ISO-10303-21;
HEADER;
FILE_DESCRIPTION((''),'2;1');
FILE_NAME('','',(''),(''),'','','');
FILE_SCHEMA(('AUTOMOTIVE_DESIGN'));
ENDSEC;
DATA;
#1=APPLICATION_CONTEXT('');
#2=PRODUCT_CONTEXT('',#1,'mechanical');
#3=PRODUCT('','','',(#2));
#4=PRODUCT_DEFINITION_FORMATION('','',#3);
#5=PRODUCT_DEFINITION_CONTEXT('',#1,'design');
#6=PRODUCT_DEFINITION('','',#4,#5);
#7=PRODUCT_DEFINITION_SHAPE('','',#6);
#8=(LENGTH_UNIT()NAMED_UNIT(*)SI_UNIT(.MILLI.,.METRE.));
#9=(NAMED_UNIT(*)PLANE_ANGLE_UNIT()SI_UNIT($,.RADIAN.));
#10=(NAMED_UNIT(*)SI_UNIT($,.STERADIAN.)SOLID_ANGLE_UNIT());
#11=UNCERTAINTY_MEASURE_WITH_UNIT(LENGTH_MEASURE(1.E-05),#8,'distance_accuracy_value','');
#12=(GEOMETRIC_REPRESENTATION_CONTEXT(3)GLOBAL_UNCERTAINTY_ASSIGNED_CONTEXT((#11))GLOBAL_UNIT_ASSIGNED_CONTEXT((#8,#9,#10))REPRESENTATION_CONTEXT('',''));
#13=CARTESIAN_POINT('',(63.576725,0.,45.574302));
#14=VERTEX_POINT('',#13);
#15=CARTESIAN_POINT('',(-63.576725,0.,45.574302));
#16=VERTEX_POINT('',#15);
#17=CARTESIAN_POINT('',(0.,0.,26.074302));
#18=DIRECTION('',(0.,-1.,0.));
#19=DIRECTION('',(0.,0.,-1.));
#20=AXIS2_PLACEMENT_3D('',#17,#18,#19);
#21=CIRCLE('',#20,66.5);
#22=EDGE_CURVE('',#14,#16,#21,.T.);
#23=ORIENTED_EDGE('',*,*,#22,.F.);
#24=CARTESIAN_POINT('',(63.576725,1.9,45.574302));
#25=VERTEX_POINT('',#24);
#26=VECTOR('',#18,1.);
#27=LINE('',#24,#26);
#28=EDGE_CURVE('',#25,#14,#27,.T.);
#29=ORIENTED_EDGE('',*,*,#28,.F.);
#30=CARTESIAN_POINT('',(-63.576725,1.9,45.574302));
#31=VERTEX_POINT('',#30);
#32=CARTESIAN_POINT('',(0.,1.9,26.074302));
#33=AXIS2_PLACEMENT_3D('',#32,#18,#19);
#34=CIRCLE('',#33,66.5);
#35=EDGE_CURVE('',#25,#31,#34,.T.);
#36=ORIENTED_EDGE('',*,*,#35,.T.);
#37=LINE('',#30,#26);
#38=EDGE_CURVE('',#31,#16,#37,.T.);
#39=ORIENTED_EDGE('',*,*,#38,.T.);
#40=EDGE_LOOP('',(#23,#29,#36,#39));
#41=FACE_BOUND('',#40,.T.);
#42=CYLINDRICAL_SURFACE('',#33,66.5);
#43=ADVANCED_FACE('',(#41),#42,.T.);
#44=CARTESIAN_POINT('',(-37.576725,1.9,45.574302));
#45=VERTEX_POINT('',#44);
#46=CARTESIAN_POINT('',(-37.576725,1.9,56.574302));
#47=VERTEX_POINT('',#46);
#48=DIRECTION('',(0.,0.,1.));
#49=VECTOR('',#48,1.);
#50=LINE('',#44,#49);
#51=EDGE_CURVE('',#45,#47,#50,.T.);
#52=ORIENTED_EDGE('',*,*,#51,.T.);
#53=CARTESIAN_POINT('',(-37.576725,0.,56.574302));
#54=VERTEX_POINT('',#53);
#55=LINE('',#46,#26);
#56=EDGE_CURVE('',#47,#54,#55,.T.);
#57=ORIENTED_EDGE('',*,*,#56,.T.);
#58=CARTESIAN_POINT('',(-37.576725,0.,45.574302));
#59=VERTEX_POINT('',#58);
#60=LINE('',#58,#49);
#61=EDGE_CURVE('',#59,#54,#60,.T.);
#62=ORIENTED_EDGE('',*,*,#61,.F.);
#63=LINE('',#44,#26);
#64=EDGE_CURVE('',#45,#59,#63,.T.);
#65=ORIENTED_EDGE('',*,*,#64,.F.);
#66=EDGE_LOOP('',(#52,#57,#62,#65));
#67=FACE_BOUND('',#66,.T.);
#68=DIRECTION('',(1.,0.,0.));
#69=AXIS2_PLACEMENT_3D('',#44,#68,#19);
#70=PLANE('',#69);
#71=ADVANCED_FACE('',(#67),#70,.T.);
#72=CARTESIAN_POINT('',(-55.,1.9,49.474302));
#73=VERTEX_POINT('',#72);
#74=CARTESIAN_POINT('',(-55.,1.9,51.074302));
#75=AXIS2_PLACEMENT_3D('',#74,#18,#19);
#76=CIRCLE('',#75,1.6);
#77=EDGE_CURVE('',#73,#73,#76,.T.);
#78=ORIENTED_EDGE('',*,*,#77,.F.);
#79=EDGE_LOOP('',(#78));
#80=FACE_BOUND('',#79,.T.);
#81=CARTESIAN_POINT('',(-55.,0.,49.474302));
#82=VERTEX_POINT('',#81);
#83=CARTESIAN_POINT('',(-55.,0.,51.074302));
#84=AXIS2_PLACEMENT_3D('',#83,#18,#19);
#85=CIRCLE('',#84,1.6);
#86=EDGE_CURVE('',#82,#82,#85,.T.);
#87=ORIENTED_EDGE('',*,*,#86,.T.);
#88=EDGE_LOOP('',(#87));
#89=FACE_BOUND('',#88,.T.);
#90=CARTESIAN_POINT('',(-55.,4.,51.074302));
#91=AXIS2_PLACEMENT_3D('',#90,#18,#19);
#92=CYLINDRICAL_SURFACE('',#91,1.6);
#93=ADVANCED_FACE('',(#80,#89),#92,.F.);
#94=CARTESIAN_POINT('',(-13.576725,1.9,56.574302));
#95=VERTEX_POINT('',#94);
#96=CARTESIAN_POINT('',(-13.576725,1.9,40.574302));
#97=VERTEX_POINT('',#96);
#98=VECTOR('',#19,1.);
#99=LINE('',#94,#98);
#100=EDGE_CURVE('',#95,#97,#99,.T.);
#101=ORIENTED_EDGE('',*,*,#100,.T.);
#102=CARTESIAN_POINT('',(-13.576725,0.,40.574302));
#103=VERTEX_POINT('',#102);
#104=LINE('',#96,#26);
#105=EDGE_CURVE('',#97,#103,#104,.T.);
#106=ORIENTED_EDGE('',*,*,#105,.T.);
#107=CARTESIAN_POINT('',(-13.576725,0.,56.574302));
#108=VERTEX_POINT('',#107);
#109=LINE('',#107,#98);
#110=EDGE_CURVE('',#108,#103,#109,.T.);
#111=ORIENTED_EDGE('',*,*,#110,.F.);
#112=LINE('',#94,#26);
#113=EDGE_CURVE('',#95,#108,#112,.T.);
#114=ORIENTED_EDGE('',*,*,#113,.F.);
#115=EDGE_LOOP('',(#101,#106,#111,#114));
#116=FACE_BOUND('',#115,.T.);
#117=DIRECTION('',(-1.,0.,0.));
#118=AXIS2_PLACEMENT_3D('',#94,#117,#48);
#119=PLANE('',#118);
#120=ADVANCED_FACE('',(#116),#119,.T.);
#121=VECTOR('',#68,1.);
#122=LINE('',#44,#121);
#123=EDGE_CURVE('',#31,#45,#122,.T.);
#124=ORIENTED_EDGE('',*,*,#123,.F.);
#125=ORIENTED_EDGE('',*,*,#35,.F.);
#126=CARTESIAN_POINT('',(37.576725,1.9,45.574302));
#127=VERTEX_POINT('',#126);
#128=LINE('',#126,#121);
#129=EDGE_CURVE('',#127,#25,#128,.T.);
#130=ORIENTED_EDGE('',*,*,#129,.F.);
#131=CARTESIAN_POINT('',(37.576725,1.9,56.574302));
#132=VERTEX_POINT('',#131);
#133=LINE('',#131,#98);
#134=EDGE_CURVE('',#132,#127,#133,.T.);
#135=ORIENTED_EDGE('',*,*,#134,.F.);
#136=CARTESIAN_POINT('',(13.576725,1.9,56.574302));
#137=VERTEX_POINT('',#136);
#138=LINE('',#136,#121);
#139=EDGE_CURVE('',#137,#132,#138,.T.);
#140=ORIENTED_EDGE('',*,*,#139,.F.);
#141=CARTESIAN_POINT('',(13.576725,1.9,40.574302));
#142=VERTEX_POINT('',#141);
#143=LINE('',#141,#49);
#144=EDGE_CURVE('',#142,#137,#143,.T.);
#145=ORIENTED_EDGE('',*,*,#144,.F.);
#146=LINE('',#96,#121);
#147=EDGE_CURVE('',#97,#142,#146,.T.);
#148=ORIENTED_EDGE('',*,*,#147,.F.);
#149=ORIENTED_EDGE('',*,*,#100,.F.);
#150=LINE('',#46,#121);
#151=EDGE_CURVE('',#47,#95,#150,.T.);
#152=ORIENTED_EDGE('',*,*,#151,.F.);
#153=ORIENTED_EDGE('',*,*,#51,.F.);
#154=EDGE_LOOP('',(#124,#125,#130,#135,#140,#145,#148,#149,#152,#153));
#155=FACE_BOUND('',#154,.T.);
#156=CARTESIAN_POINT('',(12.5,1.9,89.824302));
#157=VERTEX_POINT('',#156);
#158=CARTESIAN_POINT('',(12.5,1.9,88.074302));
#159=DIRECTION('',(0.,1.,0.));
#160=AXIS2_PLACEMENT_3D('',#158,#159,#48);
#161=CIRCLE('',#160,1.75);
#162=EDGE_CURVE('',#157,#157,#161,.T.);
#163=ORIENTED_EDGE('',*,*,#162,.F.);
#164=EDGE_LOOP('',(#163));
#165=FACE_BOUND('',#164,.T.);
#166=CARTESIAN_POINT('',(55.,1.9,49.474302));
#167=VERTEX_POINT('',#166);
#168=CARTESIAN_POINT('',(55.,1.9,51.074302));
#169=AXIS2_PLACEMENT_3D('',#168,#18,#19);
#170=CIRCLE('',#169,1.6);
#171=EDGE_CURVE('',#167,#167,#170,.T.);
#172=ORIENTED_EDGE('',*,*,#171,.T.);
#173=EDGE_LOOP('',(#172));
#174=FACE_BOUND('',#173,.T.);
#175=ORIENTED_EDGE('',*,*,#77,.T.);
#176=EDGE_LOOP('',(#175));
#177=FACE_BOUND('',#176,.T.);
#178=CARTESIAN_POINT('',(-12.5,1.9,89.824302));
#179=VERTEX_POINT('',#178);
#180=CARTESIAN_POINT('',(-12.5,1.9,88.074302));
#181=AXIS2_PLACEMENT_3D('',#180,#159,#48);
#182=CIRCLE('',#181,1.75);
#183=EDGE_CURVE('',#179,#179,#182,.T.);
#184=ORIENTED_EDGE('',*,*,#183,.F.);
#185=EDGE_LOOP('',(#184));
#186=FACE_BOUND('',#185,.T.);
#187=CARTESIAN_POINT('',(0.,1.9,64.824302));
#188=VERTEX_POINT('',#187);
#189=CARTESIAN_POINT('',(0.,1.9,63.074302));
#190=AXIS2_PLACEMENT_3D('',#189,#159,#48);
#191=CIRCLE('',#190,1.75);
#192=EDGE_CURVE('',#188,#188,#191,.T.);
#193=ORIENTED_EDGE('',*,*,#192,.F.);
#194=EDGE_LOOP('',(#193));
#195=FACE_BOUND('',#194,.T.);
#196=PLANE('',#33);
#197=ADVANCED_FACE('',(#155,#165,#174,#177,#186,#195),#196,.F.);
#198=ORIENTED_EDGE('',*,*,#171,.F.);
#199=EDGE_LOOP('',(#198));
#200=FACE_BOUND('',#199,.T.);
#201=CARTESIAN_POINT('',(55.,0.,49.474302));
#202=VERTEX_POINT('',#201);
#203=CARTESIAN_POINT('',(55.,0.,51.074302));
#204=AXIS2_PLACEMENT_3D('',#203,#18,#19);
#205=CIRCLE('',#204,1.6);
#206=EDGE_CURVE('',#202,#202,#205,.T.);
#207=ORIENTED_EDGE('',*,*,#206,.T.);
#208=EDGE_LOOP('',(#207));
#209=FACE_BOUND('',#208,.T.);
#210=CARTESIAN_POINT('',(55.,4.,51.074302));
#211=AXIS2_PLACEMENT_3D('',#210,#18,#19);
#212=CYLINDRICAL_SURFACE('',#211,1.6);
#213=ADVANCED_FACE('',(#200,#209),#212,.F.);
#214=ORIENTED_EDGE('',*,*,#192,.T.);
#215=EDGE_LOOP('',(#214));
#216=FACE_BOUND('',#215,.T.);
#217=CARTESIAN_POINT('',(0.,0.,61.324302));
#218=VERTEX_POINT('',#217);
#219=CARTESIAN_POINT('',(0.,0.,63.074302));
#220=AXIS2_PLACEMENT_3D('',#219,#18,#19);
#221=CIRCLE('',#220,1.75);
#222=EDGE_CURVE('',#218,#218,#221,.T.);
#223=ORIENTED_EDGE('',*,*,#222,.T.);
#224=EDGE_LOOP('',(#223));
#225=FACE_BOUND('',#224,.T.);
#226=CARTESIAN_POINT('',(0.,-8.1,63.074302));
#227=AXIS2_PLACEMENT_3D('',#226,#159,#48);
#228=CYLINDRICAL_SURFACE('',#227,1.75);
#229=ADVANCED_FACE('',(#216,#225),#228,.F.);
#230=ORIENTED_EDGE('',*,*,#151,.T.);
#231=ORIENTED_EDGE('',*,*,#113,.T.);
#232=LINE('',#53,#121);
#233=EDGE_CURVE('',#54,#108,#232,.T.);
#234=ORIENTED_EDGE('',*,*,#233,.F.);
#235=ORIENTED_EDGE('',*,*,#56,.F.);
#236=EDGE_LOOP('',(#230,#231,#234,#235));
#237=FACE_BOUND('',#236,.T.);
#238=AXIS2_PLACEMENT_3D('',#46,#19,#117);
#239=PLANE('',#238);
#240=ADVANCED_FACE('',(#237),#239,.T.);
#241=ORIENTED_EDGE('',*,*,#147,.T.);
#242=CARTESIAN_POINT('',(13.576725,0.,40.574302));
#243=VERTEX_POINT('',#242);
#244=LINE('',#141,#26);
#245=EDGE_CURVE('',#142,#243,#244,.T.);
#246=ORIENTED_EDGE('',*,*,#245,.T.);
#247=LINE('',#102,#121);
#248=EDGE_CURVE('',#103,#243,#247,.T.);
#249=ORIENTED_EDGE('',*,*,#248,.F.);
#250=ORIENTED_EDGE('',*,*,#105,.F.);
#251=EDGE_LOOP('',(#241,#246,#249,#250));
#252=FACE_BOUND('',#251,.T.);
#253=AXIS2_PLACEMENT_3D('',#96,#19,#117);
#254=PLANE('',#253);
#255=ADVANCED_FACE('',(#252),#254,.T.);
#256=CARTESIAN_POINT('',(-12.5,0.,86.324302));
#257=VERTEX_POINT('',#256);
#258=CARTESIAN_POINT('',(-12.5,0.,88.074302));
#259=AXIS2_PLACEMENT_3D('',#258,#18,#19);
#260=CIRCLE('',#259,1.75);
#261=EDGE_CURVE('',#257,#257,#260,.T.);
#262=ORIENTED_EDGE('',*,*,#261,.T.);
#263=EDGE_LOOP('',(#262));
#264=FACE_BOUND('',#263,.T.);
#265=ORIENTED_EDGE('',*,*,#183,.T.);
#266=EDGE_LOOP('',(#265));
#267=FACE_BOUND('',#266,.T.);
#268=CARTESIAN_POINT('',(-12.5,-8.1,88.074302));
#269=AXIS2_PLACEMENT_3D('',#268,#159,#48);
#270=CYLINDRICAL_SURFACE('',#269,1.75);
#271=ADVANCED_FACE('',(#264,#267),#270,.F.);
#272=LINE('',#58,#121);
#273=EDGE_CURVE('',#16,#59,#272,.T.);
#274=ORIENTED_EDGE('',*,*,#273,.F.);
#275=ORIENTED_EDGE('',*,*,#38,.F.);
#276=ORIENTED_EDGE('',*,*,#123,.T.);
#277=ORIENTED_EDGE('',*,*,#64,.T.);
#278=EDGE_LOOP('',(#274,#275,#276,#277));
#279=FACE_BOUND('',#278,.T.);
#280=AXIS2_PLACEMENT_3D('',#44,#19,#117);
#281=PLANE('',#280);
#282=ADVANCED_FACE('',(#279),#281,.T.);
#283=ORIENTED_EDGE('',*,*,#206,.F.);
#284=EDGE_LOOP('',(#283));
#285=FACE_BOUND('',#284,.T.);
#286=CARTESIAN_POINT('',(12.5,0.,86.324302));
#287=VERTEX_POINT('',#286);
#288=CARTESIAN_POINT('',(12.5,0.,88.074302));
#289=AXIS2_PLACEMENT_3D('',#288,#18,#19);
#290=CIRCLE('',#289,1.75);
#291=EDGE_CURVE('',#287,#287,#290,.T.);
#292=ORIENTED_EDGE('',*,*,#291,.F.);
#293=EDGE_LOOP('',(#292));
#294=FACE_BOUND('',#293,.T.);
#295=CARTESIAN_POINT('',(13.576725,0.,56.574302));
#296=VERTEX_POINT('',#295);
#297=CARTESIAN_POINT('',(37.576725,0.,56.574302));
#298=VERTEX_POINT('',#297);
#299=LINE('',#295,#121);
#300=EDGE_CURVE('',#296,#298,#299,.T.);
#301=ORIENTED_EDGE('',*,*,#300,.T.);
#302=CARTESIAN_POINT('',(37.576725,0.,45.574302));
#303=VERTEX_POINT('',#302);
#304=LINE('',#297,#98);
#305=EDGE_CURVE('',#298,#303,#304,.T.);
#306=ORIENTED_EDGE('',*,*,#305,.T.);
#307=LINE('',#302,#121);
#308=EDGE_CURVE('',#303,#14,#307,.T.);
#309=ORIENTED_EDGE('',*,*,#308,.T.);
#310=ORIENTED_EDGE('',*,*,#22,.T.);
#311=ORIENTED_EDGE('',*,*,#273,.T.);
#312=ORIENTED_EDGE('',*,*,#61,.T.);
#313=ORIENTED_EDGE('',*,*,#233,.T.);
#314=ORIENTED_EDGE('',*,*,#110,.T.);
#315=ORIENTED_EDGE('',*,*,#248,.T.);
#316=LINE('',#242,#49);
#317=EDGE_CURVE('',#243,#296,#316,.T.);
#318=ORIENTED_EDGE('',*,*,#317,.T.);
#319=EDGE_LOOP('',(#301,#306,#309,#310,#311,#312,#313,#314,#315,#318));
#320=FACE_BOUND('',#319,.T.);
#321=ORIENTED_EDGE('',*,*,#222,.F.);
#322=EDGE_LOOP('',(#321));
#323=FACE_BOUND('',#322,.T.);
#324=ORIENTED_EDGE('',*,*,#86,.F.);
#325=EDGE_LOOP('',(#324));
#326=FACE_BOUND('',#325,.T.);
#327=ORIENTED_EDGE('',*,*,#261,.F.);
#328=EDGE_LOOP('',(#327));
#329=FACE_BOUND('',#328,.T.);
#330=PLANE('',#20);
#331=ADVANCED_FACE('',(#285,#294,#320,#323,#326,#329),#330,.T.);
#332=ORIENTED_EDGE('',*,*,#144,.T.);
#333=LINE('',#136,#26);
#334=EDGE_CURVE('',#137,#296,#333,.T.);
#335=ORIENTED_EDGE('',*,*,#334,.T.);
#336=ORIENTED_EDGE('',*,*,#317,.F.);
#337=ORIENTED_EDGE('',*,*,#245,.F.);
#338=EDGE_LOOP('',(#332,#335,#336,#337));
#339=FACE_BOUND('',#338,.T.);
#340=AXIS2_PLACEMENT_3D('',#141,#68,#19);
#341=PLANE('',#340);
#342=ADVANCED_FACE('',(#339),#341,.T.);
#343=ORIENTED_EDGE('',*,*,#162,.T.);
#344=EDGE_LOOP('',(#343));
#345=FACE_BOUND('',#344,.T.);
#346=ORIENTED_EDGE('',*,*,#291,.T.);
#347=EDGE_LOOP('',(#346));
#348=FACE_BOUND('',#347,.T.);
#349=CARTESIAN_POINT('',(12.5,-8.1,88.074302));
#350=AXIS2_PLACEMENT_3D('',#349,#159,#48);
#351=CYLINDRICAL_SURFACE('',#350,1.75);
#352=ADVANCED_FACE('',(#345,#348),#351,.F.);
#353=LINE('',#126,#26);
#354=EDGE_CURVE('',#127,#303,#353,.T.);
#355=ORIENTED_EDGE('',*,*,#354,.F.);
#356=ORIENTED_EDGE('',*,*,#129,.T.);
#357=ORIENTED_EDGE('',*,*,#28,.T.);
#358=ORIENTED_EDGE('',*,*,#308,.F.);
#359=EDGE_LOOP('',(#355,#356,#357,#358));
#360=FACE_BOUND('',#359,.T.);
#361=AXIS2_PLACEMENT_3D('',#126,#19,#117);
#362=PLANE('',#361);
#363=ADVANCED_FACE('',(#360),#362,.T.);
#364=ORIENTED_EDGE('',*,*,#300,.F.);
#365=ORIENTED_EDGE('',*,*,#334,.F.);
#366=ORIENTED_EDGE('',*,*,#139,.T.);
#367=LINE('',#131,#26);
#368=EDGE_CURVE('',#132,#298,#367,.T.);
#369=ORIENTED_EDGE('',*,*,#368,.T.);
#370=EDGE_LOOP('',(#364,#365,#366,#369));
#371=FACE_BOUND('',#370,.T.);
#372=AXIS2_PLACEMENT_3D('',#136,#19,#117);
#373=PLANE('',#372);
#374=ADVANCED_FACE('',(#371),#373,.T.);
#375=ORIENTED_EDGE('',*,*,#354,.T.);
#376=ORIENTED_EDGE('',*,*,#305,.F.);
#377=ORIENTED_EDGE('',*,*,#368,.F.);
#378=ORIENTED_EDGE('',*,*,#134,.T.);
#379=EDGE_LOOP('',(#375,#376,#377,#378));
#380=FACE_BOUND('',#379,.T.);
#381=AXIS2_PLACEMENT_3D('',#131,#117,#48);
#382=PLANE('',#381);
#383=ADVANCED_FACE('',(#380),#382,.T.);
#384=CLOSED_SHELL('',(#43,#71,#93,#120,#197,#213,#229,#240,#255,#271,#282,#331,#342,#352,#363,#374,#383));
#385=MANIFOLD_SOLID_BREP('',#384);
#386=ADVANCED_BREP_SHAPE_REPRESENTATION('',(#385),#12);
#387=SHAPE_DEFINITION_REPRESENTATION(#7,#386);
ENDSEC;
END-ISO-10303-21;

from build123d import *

# Parameters (mm, degrees)
SKETCH1_W           = 36
SKETCH1_H           = 20
BOSS_EXTRUDE1_DEPTH = 1.9
BOSS_EXTRUDE2_DEPTH = 1.9
SKETCH5_W           = 59.232531926
SKETCH5_H           = 32.087665796
CUT_EXTRUDE2_DEPTH  = 10
SKETCH10_R          = 1.75
CUT_EXTRUDE3_DEPTH  = 10
SKETCH11_R          = 1.6
CUT_EXTRUDE4_DEPTH  = 4


with BuildPart() as part:
    # Sketch1 → Boss-Extrude1 (new body)
    with BuildSketch(Plane(origin=(0, 0, 0), x_dir=(1, 0, 0), z_dir=(0, 1, 0))):
        Rectangle(SKETCH1_W, SKETCH1_H)
    extrude(amount=BOSS_EXTRUDE1_DEPTH)

    # Sketch5 → Cut-Extrude2 (cut)
    with BuildSketch(Plane(origin=(0, 1.9, 0), x_dir=(1, 0, 0), z_dir=(0, 1, 0))):
        Rectangle(SKETCH5_W, SKETCH5_H)
    extrude(amount=-CUT_EXTRUDE2_DEPTH, mode=Mode.SUBTRACT)


with BuildPart() as body_2:
    # Sketch3 → Boss-Extrude2 (new body)
    with BuildSketch(Plane.XZ):
        with BuildLine():
            Line((-37.576725301, 45.574302205), (-37.576725301, 56.574302205))
            Line((-37.576725301, 56.574302205), (-13.576725301, 56.574302205))
            Line((-13.576725301, 56.574302205), (-13.576725301, 40.574302205))
            Line((-13.576725301, 40.574302205), (13.576725301, 40.574302205))
            Line((13.576725301, 40.574302205), (13.576725301, 56.574302205))
            Line((13.576725301, 56.574302205), (37.576725301, 56.574302205))
            Line((37.576725301, 56.574302205), (37.576725301, 45.574302205))
            Line((37.576725301, 45.574302205), (63.576725301, 45.574302205))
            ThreePointArc((63.576725301, 45.574302205), (0, 92.574302205), (-63.576725301, 45.574302205))
            Line((-63.576725301, 45.574302205), (-37.576725301, 45.574302205))
        make_face()
    extrude(amount=-BOSS_EXTRUDE2_DEPTH)

    # Sketch10 → Cut-Extrude3 (cut)
    with BuildSketch(Plane(origin=(0, 1.9, 0), x_dir=(1, 0, 0), z_dir=(0, 1, 0))):
        with Locations((-12.5, -88.074302205)):
            Circle(SKETCH10_R)
        with Locations((12.5, -88.074302205)):
            Circle(SKETCH10_R)
        with Locations((0, -63.074302205)):
            Circle(SKETCH10_R)
    extrude(amount=-CUT_EXTRUDE3_DEPTH, mode=Mode.SUBTRACT)

    # Sketch11 → Cut-Extrude4 (cut)
    with BuildSketch(Plane.XZ):
        with Locations((-55, 51.074302205)):
            Circle(SKETCH11_R)
        with Locations((55, 51.074302205)):
            Circle(SKETCH11_R)
    extrude(amount=-CUT_EXTRUDE4_DEPTH, mode=Mode.SUBTRACT)


solid = body_2.part
